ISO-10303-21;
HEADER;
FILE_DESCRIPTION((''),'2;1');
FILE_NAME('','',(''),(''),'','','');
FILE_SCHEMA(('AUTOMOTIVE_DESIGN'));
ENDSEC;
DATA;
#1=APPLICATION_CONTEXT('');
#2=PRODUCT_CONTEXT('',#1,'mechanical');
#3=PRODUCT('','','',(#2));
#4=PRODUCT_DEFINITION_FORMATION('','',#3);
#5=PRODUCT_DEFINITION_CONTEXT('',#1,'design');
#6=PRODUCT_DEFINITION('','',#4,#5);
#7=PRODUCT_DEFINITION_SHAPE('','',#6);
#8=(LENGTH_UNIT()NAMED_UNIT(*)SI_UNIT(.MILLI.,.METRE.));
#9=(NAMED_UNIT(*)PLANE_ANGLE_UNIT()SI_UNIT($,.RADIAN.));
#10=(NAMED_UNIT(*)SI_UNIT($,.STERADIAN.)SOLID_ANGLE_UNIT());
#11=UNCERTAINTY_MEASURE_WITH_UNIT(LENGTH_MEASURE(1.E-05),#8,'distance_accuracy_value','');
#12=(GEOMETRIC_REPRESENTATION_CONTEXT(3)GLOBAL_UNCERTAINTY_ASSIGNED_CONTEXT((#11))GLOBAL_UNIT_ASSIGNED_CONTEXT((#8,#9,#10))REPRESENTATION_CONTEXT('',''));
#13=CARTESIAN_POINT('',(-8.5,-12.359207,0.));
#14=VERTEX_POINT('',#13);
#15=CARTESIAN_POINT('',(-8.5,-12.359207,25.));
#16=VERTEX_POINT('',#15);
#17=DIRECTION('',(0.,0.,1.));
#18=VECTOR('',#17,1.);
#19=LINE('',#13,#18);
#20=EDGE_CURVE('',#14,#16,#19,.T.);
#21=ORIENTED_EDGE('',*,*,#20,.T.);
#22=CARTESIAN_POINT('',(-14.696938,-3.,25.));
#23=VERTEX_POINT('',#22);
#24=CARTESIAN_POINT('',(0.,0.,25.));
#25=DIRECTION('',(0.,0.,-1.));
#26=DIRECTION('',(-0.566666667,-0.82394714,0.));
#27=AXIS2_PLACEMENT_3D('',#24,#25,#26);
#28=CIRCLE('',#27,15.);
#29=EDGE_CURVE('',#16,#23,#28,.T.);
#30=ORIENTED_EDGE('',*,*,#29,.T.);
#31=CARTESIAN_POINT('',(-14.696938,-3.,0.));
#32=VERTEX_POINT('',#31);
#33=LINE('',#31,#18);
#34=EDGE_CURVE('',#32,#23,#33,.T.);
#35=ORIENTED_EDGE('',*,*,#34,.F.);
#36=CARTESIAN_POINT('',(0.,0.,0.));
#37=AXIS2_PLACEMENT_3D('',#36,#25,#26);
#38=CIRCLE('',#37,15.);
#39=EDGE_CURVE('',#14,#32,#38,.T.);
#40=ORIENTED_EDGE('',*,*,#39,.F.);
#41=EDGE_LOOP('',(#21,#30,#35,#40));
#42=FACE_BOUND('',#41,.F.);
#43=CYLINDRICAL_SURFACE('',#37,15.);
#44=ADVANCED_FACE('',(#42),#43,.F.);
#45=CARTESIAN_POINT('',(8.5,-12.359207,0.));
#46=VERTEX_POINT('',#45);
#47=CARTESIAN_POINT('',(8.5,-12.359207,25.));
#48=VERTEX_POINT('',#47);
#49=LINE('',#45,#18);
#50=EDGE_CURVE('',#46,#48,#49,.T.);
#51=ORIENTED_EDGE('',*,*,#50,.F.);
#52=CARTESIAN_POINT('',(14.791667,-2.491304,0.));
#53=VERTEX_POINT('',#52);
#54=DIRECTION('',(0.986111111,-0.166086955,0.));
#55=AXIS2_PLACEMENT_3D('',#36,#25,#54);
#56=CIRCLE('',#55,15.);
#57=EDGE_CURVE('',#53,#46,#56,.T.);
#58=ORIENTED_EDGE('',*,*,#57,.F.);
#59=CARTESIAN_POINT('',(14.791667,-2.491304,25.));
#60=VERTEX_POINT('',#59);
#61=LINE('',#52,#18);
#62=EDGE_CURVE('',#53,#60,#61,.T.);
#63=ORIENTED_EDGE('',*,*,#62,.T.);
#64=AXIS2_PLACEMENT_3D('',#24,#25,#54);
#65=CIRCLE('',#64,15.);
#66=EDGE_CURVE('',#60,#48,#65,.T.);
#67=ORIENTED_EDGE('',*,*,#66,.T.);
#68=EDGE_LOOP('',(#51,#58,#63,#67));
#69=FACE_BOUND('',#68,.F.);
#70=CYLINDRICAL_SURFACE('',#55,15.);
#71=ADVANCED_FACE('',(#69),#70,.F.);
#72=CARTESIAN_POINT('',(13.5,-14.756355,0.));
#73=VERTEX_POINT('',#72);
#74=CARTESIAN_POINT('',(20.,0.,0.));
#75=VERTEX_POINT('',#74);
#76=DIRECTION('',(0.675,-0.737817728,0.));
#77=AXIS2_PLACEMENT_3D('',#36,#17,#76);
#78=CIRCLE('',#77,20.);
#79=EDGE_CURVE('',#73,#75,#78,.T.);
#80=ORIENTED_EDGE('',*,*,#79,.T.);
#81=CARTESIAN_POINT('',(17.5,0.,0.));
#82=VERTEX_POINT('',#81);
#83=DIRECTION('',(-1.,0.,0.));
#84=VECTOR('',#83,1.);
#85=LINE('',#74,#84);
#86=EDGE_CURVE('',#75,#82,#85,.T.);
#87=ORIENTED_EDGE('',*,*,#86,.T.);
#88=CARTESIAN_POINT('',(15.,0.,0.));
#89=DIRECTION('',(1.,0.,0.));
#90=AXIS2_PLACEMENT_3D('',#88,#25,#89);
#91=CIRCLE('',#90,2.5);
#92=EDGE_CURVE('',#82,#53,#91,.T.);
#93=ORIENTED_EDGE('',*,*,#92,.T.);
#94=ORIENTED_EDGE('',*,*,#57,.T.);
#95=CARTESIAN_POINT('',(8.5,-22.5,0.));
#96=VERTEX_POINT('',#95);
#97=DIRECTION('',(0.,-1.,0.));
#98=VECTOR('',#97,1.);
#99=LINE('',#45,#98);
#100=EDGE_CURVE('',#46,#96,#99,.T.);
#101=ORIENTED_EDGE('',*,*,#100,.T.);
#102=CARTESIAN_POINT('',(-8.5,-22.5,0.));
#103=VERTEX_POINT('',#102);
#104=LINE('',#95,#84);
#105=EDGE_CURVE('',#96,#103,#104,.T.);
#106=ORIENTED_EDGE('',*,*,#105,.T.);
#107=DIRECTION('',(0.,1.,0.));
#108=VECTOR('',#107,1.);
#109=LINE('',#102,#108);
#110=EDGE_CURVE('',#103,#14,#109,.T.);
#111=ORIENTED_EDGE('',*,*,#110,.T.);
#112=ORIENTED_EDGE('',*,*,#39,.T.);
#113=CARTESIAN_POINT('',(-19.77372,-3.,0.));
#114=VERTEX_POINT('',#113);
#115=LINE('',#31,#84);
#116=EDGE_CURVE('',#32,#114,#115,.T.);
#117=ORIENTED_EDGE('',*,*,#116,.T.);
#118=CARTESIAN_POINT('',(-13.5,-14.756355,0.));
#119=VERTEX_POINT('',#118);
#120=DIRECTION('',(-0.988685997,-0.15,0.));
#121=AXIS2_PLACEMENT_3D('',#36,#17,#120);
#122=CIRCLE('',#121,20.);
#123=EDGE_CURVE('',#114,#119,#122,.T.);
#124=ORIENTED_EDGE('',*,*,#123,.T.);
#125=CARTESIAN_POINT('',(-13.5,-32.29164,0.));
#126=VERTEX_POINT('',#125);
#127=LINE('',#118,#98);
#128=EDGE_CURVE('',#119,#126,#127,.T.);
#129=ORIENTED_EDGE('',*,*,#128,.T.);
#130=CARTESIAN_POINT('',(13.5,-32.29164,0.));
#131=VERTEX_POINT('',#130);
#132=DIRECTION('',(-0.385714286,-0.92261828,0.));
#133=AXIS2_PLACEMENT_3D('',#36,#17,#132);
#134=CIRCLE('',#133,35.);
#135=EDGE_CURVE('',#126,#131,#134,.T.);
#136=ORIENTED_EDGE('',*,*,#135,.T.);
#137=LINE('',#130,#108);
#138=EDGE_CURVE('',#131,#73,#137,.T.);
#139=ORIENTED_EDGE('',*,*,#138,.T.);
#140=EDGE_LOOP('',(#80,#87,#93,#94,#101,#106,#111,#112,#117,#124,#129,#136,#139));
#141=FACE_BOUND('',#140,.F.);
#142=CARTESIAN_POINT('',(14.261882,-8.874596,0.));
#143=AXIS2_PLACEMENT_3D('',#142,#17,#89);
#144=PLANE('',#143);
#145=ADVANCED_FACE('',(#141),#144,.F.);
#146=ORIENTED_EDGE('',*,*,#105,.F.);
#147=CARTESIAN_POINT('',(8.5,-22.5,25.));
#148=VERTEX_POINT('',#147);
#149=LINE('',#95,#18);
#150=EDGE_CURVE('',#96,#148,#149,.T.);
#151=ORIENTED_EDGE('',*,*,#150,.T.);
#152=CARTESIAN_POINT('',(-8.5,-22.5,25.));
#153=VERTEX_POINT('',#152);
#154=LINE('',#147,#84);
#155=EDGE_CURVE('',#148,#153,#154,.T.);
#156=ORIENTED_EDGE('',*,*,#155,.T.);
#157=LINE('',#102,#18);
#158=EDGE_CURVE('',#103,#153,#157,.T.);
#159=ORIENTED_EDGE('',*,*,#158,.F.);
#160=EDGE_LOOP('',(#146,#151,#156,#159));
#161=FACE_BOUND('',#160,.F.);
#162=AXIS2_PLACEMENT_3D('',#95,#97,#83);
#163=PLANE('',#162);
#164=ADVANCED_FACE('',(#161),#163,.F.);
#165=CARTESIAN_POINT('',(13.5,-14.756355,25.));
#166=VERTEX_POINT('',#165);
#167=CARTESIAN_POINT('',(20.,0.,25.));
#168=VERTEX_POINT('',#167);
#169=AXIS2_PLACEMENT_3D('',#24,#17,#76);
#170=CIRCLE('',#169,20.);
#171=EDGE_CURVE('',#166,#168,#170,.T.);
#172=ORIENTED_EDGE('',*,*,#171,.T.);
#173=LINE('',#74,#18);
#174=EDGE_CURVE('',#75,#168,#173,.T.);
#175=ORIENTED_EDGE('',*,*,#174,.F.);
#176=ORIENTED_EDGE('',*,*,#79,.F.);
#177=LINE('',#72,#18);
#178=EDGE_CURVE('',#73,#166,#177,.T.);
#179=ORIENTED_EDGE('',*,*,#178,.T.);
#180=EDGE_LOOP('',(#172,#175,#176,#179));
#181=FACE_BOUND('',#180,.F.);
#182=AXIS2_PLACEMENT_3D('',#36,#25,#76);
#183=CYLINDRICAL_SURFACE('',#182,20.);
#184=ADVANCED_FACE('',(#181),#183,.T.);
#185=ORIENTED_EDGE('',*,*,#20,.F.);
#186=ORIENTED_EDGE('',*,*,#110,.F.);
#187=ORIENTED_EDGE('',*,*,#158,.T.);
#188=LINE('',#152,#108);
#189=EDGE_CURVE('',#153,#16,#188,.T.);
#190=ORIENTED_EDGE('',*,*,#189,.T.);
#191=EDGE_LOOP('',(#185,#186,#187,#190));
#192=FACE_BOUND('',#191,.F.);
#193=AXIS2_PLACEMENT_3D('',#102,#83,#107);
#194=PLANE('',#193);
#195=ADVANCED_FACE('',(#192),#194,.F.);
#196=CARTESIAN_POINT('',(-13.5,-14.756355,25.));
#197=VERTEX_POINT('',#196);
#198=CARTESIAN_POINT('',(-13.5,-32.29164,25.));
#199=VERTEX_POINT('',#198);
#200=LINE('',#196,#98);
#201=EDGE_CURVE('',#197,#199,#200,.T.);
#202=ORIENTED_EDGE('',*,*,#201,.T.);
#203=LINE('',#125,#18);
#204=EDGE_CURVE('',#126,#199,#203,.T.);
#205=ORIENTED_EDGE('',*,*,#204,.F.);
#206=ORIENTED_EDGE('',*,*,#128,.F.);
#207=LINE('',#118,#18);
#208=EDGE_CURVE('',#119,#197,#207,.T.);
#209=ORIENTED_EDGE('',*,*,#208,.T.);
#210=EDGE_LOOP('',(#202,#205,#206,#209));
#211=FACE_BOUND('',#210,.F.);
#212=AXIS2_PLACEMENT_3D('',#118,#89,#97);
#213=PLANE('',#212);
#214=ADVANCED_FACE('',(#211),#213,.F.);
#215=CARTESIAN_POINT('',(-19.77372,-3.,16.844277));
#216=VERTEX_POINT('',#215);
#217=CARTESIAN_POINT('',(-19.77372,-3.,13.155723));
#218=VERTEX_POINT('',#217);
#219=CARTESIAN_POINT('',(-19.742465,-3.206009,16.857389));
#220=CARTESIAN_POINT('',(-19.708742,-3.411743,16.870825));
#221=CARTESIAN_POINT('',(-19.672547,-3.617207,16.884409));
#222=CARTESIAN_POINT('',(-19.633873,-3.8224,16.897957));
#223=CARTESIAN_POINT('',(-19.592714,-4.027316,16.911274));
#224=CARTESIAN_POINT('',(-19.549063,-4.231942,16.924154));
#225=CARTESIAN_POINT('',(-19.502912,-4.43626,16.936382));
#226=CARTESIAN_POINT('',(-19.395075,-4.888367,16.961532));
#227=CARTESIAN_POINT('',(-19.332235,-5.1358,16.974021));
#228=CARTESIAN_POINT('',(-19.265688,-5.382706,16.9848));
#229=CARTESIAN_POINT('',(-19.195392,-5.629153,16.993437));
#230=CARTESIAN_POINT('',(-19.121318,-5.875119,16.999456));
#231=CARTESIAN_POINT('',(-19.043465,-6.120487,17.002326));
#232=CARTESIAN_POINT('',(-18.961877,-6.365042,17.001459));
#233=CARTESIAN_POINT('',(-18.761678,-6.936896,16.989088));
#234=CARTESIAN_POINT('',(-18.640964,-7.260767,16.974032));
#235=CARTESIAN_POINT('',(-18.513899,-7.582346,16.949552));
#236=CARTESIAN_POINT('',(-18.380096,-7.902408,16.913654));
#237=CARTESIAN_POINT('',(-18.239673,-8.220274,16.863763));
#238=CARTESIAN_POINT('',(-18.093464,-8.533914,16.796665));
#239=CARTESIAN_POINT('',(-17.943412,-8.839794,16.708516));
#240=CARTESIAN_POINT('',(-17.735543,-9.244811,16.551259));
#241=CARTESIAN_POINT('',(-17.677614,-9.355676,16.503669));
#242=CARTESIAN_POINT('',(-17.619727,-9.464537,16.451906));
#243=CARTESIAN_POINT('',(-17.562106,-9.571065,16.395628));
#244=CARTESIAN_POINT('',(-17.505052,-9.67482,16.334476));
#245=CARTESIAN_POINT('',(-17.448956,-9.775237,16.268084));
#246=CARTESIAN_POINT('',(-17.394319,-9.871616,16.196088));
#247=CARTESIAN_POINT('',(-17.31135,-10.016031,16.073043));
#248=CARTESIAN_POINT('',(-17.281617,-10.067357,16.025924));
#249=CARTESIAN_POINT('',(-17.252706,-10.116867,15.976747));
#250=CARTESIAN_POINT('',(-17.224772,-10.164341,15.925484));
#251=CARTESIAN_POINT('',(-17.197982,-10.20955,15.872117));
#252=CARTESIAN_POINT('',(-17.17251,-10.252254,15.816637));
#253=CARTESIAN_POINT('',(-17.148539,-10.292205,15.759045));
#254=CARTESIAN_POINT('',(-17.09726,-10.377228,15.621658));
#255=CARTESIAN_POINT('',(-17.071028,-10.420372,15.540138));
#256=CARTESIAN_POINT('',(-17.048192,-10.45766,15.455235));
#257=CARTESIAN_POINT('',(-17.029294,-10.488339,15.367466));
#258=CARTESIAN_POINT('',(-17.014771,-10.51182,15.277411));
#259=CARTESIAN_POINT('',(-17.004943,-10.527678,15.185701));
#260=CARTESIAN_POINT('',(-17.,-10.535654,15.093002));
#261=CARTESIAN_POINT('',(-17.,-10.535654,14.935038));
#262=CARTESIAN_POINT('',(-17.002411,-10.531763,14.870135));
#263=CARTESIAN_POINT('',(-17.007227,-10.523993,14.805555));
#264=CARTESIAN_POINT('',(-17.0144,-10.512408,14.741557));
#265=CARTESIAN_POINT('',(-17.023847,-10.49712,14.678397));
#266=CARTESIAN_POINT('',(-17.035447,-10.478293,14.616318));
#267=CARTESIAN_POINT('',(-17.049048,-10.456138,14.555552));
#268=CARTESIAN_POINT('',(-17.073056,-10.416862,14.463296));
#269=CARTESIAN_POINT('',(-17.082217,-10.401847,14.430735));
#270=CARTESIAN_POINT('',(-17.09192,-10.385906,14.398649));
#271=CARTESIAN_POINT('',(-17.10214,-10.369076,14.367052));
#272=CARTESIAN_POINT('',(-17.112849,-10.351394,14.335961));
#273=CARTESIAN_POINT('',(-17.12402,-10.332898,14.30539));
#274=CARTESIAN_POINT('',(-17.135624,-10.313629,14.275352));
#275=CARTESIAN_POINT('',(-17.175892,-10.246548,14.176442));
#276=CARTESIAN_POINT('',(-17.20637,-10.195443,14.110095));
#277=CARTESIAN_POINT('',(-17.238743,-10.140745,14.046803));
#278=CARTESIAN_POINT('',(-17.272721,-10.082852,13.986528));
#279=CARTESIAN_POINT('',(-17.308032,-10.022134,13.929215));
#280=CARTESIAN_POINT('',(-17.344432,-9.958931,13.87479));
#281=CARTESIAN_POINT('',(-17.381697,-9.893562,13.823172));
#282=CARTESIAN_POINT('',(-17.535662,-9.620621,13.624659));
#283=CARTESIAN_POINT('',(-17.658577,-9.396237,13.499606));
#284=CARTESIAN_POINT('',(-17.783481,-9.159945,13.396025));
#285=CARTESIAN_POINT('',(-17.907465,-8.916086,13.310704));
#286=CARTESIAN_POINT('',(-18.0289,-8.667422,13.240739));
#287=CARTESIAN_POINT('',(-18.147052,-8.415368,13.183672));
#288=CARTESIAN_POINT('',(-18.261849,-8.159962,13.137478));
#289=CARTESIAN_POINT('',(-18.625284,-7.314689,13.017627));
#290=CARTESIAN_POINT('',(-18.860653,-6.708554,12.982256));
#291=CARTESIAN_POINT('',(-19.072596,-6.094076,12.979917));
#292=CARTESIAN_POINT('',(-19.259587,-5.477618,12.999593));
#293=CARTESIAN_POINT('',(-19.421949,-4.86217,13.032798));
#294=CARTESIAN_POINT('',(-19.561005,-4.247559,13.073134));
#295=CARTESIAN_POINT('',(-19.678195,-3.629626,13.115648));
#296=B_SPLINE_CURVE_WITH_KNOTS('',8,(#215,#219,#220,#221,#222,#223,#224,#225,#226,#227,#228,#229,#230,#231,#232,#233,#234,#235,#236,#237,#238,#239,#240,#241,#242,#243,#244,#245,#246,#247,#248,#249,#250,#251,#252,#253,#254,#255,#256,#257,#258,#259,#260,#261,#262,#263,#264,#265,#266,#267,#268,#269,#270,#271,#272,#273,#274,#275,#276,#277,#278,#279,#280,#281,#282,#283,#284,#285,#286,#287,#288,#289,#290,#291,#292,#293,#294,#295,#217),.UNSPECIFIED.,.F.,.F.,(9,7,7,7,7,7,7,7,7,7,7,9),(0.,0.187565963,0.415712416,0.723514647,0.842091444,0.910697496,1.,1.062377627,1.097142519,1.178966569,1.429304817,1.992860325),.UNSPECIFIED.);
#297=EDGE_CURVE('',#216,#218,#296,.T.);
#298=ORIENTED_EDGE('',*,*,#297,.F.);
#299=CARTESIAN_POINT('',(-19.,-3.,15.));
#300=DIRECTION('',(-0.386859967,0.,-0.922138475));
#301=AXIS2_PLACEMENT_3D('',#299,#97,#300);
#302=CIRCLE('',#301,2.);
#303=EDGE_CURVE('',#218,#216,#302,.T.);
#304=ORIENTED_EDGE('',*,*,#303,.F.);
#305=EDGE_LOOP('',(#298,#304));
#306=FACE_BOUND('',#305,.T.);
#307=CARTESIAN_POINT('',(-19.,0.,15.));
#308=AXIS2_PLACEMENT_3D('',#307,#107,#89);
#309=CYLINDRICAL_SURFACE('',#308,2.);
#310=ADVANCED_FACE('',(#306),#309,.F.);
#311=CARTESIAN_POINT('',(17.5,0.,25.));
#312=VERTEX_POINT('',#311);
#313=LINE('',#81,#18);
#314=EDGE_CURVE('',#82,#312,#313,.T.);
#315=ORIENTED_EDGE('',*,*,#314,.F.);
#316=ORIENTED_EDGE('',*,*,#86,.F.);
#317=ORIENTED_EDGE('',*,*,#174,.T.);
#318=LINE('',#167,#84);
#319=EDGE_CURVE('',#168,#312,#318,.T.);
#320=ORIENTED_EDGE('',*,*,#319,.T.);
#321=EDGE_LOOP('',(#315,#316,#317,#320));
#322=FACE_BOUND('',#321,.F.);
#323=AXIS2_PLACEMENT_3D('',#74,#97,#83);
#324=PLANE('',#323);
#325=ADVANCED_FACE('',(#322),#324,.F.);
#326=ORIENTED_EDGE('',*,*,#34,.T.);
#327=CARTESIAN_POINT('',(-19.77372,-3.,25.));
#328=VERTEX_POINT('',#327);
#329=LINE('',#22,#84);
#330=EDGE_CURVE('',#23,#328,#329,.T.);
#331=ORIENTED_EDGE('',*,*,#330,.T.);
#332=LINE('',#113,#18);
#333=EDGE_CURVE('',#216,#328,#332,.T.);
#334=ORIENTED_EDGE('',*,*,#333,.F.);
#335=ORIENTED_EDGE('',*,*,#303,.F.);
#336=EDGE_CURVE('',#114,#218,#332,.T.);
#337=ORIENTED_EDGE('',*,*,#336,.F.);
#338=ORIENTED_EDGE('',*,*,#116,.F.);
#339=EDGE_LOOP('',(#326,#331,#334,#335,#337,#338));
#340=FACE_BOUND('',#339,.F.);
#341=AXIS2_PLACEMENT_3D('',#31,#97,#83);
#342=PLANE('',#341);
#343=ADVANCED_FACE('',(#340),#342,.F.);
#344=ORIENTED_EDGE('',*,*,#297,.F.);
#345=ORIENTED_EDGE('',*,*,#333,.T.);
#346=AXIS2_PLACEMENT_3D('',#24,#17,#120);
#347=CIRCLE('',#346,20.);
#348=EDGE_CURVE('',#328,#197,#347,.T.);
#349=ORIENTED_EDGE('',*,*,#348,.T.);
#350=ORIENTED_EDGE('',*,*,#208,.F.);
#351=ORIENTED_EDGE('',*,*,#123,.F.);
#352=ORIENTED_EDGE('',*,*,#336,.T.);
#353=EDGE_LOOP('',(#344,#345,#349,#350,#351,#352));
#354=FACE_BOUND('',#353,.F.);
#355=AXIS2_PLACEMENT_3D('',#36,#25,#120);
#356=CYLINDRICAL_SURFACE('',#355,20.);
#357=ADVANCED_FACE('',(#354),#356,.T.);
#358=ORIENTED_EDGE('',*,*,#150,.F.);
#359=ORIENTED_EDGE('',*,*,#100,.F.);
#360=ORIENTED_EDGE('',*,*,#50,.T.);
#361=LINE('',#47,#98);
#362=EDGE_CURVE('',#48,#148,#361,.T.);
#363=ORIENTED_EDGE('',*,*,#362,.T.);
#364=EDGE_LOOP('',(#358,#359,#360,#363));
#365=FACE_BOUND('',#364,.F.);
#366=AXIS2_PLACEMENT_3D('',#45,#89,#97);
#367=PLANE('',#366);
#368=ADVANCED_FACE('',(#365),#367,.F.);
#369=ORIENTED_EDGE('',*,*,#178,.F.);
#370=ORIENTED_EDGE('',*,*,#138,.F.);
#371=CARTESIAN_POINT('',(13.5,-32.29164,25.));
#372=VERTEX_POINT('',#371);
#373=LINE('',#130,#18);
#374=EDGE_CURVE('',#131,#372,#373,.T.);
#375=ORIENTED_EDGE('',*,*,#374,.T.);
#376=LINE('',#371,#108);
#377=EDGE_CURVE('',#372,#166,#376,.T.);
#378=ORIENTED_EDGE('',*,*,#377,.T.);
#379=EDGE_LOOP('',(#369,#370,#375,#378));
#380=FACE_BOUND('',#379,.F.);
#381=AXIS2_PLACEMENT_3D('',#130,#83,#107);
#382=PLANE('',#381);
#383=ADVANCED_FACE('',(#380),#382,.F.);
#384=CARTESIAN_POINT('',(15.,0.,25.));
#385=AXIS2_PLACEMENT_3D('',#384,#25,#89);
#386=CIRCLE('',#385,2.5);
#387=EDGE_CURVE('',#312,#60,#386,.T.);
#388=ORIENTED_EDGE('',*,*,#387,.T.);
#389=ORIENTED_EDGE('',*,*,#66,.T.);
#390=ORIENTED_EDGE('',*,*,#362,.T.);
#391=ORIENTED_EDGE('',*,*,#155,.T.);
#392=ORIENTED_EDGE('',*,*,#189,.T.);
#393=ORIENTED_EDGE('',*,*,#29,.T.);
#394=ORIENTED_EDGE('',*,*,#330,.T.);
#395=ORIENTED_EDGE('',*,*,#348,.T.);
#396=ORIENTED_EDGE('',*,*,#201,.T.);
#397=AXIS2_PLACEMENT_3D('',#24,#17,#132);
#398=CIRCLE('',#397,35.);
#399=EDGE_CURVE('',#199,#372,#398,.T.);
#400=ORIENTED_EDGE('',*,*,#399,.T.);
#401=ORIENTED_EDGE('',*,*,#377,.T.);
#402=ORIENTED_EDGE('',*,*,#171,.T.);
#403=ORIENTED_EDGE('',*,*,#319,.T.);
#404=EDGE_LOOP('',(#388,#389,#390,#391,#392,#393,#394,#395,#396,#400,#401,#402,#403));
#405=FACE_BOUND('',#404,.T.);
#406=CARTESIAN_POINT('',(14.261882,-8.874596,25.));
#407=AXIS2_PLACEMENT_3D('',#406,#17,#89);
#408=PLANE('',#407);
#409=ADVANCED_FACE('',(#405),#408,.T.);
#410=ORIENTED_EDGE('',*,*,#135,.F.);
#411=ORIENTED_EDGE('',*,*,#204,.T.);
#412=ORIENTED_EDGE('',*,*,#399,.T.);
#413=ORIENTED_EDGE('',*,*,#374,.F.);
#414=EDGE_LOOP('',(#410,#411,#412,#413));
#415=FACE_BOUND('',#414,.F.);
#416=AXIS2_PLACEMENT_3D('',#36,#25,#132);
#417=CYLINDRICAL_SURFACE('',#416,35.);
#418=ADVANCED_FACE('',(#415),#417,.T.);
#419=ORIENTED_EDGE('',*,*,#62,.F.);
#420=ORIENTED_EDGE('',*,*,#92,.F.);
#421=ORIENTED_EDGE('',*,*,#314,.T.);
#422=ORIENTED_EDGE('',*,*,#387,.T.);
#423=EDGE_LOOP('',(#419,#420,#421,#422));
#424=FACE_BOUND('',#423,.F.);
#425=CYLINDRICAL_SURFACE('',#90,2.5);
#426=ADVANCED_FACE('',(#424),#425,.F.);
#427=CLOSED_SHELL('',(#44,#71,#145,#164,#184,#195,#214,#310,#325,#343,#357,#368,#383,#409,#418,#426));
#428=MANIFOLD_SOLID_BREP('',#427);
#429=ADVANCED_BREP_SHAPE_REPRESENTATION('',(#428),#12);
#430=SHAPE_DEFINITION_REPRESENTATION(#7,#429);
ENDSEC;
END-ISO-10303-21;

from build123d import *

# Parameters (mm, degrees)
F1_DEPTH = 25
F2_R     = 2
F3_DEPTH = 25


with BuildPart() as f1:
    # F0 (on Top) → F1 (new body)
    with BuildSketch(Plane.XY):
        with BuildLine():
            ThreePointArc((17.5, 0), (16.692508001, -1.8399501805), (14.7916666667, -2.4913043215))
            ThreePointArc((14.7916666667, -2.4913043215), (12.647897466, -8.0641608174), (8.5, -12.3592070943))
            Line((8.5, -12.3592070943), (8.5, -18.1038669902))
            ThreePointArc((8.5, -18.1038669902), (11.126610439, -16.6192220076), (13.5, -14.7563545634))
            ThreePointArc((13.5, -14.7563545634), (18.3030052177, -8.0622577483), (20, 0))
            Line((20, 0), (17.5, 0))
        make_face()
        with BuildLine():
            ThreePointArc((13.5, -14.7563545634), (11.126610439, -16.6192220076), (8.5, -18.1038669902))
            Line((8.5, -18.1038669902), (8.5, -22.5))
            Line((8.5, -22.5), (-8.5, -22.5))
            Line((-8.5, -22.5), (-8.5, -18.1038669902))
            ThreePointArc((-8.5, -18.1038669902), (-11.126610439, -16.6192220076), (-13.5, -14.7563545634))
            Line((-13.5, -14.7563545634), (-13.5, -32.2916397849))
            ThreePointArc((-13.5, -32.2916397849), (0, -35), (13.5, -32.2916397849))
            Line((13.5, -32.2916397849), (13.5, -14.7563545634))
        make_face()
        with BuildLine():
            ThreePointArc((-8.5, -12.3592070943), (-12.5069251936, -8.281112377), (-14.6969384567, -3))
            Line((-14.6969384567, -3), (-19.7737199333, -3))
            ThreePointArc((-19.7737199333, -3), (-17.6447747989, -9.4160460011), (-13.5, -14.7563545634))
            ThreePointArc((-13.5, -14.7563545634), (-11.126610439, -16.6192220076), (-8.5, -18.1038669902))
            Line((-8.5, -18.1038669902), (-8.5, -12.3592070943))
        make_face()
    extrude(amount=F1_DEPTH)

    # F2 (on Front) → F3 (cut)
    with BuildSketch(Plane.XZ):
        with Locations((-19, 15)):
            Circle(F2_R)
    extrude(amount=F3_DEPTH, mode=Mode.SUBTRACT)


solid = f1.part
